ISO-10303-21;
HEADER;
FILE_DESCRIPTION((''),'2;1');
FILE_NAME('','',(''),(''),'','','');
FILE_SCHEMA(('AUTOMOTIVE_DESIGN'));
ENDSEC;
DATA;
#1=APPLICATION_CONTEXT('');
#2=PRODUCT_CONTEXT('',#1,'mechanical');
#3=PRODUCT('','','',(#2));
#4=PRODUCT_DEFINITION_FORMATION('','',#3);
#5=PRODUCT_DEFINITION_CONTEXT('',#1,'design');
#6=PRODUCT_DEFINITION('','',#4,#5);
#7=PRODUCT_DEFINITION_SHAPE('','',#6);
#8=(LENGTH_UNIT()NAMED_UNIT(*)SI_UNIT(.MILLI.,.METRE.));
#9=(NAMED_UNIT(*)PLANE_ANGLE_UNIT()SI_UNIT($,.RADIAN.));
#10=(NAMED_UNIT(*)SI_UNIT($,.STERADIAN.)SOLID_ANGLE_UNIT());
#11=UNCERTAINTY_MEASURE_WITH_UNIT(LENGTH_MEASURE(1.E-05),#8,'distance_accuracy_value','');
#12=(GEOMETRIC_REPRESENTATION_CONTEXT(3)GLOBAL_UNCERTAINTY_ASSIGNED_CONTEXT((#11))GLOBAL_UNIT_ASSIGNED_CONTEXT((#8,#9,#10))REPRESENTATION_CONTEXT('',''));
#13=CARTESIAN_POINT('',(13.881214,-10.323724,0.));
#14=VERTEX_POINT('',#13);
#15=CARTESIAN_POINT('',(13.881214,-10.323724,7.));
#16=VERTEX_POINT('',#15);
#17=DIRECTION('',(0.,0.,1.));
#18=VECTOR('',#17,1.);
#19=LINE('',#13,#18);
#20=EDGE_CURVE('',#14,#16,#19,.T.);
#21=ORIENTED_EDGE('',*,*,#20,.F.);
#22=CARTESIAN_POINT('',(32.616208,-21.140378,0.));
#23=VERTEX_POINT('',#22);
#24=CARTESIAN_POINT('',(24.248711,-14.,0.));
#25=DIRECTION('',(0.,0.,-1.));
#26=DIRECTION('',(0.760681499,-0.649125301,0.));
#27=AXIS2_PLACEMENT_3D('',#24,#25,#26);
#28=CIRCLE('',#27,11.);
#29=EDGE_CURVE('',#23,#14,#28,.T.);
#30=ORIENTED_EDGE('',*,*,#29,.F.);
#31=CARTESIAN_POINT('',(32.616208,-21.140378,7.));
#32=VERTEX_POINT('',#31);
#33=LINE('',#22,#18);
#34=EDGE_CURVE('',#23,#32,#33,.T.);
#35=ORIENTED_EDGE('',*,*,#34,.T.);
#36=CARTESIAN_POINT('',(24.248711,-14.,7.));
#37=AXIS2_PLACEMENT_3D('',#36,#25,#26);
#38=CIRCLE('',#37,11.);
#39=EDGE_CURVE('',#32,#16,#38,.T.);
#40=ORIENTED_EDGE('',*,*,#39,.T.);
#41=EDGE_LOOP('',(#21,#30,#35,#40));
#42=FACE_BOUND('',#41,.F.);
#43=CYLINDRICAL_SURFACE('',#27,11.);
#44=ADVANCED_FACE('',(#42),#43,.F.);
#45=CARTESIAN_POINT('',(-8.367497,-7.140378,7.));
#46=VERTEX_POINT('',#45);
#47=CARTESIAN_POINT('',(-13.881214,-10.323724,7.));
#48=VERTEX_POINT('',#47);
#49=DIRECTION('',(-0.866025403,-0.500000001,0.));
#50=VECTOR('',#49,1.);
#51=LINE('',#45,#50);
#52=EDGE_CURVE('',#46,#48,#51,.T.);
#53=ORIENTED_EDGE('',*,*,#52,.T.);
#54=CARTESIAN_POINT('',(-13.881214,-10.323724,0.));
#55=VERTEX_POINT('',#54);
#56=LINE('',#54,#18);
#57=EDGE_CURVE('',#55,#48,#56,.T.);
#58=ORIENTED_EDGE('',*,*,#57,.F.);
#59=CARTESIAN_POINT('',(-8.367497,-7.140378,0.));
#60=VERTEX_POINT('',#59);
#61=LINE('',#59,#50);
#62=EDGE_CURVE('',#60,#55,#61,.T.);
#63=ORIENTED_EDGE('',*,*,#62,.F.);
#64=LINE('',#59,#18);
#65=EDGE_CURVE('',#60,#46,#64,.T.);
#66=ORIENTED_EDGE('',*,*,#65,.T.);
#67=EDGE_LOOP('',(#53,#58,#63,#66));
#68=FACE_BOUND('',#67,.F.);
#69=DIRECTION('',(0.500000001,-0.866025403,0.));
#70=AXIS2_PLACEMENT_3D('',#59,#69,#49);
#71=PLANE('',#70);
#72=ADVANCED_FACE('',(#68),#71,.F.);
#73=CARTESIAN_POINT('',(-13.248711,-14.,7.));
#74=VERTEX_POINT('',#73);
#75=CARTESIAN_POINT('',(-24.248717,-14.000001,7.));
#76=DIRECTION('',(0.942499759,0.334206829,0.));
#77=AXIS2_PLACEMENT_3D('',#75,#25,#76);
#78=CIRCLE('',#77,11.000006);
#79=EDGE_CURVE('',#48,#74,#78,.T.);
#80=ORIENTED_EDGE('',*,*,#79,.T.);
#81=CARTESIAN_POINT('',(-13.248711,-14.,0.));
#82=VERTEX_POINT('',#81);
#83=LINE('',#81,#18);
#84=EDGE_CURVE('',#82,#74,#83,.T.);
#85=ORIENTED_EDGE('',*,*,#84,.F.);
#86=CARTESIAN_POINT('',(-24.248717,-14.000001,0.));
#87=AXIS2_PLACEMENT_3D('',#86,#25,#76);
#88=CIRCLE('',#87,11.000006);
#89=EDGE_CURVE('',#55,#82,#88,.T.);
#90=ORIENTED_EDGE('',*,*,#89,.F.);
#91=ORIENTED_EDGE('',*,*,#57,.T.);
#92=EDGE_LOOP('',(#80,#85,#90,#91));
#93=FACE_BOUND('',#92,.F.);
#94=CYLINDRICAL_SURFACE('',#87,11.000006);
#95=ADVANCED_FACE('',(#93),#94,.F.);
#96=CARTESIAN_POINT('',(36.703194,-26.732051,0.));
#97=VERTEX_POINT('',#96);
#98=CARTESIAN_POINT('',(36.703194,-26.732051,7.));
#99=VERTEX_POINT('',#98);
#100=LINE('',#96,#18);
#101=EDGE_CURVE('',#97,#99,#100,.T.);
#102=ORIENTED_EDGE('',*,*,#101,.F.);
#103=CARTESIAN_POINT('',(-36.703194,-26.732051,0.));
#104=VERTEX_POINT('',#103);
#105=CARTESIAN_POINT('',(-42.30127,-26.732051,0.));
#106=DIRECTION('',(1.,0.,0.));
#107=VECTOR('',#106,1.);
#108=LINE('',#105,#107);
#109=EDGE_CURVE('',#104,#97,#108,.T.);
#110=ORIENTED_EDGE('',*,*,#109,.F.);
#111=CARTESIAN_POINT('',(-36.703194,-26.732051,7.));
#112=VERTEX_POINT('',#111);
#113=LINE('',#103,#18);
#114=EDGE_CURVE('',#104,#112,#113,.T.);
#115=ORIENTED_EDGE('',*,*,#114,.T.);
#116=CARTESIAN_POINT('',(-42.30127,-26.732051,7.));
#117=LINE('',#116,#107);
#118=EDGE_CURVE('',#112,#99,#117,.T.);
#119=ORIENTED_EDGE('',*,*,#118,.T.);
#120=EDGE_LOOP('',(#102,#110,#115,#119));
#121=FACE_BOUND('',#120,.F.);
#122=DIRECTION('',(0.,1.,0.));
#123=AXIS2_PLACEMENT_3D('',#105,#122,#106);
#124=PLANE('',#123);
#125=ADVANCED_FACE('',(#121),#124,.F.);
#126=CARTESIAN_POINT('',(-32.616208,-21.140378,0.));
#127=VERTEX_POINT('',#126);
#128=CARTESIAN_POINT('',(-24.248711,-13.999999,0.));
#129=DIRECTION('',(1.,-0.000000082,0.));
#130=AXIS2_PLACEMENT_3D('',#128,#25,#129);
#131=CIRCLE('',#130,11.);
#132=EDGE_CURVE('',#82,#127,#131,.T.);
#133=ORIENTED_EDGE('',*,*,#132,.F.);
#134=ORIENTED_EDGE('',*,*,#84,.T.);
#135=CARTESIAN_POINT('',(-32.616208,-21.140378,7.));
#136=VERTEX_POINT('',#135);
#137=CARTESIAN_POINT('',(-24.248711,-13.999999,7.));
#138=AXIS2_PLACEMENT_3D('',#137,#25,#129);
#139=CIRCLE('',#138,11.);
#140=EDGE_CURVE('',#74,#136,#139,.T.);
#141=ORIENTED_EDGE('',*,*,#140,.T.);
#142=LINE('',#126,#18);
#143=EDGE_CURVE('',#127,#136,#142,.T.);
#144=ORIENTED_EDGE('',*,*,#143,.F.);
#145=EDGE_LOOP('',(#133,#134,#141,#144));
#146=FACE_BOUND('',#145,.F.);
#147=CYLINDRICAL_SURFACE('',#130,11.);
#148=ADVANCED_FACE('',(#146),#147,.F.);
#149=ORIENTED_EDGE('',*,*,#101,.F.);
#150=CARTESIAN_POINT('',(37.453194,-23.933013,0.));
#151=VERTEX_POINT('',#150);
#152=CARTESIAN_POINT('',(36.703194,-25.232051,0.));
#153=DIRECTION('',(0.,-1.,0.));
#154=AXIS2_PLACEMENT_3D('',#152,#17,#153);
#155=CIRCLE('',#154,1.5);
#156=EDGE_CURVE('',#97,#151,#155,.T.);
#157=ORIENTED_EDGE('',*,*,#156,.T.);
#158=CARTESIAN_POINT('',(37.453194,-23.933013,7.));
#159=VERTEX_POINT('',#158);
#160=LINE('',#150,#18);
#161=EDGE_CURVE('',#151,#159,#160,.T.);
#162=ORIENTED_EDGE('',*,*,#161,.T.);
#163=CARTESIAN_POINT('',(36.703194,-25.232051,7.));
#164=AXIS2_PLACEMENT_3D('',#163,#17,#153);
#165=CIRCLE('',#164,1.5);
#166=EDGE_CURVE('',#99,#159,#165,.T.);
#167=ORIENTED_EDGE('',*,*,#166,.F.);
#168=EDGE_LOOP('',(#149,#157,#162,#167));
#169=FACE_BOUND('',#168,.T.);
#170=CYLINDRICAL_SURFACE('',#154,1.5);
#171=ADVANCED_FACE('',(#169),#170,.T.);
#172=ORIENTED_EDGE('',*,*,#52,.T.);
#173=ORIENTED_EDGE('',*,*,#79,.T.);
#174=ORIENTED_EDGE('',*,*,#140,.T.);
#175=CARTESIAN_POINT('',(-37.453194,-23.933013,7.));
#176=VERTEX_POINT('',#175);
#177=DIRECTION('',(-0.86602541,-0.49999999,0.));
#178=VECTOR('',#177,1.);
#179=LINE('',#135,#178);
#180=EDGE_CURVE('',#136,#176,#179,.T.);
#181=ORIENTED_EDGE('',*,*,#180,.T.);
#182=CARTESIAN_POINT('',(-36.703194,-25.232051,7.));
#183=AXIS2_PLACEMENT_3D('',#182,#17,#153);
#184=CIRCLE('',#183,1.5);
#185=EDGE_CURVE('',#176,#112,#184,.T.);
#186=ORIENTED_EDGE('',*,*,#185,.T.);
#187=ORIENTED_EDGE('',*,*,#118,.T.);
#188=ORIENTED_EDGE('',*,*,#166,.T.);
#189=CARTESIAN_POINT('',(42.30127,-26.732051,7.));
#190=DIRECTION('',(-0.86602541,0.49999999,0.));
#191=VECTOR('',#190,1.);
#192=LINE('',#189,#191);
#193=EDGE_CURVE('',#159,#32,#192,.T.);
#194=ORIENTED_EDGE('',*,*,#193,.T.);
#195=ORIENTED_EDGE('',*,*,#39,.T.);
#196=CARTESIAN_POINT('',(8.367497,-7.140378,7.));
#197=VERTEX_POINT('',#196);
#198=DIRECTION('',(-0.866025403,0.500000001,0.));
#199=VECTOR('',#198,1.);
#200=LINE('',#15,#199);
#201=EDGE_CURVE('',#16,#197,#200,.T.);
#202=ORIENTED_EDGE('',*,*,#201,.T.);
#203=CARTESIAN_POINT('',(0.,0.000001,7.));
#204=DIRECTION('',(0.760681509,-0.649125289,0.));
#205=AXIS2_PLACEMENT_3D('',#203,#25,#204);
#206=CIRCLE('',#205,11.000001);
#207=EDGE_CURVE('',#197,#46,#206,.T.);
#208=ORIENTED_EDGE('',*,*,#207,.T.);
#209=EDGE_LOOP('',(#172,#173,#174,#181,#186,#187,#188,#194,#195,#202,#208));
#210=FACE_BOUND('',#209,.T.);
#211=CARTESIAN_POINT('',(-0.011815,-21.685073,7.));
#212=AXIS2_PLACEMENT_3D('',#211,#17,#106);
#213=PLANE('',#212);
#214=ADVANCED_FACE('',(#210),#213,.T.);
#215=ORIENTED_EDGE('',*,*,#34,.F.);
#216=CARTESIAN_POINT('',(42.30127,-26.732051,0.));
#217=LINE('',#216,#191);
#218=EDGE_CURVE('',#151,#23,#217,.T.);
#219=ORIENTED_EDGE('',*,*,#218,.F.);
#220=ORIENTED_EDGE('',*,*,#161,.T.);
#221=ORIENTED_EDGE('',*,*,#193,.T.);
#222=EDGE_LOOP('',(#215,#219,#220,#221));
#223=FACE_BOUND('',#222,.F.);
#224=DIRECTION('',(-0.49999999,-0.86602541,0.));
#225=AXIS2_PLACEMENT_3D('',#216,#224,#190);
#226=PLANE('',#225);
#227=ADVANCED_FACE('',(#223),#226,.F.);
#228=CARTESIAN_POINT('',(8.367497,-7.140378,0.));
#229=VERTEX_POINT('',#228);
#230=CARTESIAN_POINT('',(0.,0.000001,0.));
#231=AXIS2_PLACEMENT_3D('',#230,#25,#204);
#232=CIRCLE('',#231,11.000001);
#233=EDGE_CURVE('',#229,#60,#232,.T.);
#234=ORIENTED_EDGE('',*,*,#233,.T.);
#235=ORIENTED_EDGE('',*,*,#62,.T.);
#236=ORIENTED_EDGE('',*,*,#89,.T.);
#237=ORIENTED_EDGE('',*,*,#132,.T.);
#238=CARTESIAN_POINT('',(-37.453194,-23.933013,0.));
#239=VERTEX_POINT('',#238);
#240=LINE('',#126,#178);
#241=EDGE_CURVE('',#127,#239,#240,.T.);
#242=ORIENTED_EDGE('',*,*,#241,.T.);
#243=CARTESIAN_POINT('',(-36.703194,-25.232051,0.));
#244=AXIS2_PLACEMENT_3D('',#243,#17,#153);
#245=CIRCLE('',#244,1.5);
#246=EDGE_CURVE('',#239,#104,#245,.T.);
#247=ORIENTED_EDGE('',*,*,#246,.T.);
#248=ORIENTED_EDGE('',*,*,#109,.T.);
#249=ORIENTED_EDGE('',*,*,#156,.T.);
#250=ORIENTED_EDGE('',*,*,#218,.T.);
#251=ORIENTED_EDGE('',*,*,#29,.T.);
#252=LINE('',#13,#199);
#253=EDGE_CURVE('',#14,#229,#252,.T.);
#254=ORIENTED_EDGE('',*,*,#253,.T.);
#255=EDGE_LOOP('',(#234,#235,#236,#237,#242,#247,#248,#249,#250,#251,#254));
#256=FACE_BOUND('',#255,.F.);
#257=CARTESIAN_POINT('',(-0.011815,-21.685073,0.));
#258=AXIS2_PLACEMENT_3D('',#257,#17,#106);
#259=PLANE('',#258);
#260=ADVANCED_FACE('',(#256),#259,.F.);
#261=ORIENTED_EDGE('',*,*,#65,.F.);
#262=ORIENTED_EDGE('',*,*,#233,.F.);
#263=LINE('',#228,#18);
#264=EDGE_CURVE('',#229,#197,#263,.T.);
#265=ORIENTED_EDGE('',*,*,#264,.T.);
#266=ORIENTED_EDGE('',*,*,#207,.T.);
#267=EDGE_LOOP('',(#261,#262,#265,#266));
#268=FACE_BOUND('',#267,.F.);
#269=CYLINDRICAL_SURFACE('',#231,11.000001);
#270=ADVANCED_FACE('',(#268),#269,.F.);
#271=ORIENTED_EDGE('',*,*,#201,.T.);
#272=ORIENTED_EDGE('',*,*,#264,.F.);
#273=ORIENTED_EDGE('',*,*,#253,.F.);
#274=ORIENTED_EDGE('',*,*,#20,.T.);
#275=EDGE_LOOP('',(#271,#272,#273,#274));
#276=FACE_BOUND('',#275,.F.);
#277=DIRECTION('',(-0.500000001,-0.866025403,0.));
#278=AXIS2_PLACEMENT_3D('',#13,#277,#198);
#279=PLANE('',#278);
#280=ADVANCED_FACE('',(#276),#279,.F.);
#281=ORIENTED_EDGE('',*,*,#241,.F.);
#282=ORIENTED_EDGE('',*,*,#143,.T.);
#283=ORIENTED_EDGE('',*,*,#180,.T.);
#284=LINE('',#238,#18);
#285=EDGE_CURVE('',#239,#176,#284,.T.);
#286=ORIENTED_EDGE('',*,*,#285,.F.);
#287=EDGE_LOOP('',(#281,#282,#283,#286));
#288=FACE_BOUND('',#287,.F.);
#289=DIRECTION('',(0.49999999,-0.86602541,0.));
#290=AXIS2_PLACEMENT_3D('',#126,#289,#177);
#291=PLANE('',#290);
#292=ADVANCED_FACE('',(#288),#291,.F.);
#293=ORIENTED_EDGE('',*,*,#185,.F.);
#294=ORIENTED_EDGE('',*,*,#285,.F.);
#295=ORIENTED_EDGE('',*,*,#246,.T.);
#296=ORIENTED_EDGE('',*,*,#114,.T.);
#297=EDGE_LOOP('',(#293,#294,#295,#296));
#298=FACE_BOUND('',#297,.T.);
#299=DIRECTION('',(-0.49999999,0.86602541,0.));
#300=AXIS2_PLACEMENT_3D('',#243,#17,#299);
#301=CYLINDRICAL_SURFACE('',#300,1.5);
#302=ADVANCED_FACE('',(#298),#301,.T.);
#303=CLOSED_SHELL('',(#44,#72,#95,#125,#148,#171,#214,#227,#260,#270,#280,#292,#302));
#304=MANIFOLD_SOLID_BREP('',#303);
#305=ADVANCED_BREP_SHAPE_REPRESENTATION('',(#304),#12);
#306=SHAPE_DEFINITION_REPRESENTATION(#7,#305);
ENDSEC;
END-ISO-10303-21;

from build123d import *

# Parameters (mm, degrees)
F1_DEPTH = 7
F2_R     = 1.5


with BuildPart() as f1:
    # F0 (on Top) → F1 (new body)
    with BuildSketch(Plane.XY):
        with BuildLine():
            ThreePointArc((8.367497, -7.140378), (0, -11), (-8.367497, -7.140378))
            Line((-8.367497, -7.140378), (-13.881214, -10.323724))
            ThreePointArc((-13.881214, -10.323724), (-13.40799, -12.134855), (-13.248711, -14))
            ThreePointArc((-13.248711, -14), (-20.443614, -24.320912), (-32.616208, -21.140378))
            Line((-32.616208, -21.140378), (-42.30127, -26.732051))
            Line((-42.30127, -26.732051), (42.30127, -26.732051))
            Line((42.30127, -26.732051), (32.616208, -21.140378))
            ThreePointArc((32.616208, -21.140378), (18.748711, -23.526279), (13.881214, -10.323724))
            Line((13.881214, -10.323724), (8.367497, -7.140378))
        make_face()
    extrude(amount=F1_DEPTH)

    # F2
    f2_edges = [f1.edges().sort_by_distance(p)[0] for p in [
        (-42.30127, -26.732051, 3.5),
        (42.30127, -26.732051, 3.5),
    ]]
    fillet(f2_edges, radius=F2_R)


solid = f1.part
